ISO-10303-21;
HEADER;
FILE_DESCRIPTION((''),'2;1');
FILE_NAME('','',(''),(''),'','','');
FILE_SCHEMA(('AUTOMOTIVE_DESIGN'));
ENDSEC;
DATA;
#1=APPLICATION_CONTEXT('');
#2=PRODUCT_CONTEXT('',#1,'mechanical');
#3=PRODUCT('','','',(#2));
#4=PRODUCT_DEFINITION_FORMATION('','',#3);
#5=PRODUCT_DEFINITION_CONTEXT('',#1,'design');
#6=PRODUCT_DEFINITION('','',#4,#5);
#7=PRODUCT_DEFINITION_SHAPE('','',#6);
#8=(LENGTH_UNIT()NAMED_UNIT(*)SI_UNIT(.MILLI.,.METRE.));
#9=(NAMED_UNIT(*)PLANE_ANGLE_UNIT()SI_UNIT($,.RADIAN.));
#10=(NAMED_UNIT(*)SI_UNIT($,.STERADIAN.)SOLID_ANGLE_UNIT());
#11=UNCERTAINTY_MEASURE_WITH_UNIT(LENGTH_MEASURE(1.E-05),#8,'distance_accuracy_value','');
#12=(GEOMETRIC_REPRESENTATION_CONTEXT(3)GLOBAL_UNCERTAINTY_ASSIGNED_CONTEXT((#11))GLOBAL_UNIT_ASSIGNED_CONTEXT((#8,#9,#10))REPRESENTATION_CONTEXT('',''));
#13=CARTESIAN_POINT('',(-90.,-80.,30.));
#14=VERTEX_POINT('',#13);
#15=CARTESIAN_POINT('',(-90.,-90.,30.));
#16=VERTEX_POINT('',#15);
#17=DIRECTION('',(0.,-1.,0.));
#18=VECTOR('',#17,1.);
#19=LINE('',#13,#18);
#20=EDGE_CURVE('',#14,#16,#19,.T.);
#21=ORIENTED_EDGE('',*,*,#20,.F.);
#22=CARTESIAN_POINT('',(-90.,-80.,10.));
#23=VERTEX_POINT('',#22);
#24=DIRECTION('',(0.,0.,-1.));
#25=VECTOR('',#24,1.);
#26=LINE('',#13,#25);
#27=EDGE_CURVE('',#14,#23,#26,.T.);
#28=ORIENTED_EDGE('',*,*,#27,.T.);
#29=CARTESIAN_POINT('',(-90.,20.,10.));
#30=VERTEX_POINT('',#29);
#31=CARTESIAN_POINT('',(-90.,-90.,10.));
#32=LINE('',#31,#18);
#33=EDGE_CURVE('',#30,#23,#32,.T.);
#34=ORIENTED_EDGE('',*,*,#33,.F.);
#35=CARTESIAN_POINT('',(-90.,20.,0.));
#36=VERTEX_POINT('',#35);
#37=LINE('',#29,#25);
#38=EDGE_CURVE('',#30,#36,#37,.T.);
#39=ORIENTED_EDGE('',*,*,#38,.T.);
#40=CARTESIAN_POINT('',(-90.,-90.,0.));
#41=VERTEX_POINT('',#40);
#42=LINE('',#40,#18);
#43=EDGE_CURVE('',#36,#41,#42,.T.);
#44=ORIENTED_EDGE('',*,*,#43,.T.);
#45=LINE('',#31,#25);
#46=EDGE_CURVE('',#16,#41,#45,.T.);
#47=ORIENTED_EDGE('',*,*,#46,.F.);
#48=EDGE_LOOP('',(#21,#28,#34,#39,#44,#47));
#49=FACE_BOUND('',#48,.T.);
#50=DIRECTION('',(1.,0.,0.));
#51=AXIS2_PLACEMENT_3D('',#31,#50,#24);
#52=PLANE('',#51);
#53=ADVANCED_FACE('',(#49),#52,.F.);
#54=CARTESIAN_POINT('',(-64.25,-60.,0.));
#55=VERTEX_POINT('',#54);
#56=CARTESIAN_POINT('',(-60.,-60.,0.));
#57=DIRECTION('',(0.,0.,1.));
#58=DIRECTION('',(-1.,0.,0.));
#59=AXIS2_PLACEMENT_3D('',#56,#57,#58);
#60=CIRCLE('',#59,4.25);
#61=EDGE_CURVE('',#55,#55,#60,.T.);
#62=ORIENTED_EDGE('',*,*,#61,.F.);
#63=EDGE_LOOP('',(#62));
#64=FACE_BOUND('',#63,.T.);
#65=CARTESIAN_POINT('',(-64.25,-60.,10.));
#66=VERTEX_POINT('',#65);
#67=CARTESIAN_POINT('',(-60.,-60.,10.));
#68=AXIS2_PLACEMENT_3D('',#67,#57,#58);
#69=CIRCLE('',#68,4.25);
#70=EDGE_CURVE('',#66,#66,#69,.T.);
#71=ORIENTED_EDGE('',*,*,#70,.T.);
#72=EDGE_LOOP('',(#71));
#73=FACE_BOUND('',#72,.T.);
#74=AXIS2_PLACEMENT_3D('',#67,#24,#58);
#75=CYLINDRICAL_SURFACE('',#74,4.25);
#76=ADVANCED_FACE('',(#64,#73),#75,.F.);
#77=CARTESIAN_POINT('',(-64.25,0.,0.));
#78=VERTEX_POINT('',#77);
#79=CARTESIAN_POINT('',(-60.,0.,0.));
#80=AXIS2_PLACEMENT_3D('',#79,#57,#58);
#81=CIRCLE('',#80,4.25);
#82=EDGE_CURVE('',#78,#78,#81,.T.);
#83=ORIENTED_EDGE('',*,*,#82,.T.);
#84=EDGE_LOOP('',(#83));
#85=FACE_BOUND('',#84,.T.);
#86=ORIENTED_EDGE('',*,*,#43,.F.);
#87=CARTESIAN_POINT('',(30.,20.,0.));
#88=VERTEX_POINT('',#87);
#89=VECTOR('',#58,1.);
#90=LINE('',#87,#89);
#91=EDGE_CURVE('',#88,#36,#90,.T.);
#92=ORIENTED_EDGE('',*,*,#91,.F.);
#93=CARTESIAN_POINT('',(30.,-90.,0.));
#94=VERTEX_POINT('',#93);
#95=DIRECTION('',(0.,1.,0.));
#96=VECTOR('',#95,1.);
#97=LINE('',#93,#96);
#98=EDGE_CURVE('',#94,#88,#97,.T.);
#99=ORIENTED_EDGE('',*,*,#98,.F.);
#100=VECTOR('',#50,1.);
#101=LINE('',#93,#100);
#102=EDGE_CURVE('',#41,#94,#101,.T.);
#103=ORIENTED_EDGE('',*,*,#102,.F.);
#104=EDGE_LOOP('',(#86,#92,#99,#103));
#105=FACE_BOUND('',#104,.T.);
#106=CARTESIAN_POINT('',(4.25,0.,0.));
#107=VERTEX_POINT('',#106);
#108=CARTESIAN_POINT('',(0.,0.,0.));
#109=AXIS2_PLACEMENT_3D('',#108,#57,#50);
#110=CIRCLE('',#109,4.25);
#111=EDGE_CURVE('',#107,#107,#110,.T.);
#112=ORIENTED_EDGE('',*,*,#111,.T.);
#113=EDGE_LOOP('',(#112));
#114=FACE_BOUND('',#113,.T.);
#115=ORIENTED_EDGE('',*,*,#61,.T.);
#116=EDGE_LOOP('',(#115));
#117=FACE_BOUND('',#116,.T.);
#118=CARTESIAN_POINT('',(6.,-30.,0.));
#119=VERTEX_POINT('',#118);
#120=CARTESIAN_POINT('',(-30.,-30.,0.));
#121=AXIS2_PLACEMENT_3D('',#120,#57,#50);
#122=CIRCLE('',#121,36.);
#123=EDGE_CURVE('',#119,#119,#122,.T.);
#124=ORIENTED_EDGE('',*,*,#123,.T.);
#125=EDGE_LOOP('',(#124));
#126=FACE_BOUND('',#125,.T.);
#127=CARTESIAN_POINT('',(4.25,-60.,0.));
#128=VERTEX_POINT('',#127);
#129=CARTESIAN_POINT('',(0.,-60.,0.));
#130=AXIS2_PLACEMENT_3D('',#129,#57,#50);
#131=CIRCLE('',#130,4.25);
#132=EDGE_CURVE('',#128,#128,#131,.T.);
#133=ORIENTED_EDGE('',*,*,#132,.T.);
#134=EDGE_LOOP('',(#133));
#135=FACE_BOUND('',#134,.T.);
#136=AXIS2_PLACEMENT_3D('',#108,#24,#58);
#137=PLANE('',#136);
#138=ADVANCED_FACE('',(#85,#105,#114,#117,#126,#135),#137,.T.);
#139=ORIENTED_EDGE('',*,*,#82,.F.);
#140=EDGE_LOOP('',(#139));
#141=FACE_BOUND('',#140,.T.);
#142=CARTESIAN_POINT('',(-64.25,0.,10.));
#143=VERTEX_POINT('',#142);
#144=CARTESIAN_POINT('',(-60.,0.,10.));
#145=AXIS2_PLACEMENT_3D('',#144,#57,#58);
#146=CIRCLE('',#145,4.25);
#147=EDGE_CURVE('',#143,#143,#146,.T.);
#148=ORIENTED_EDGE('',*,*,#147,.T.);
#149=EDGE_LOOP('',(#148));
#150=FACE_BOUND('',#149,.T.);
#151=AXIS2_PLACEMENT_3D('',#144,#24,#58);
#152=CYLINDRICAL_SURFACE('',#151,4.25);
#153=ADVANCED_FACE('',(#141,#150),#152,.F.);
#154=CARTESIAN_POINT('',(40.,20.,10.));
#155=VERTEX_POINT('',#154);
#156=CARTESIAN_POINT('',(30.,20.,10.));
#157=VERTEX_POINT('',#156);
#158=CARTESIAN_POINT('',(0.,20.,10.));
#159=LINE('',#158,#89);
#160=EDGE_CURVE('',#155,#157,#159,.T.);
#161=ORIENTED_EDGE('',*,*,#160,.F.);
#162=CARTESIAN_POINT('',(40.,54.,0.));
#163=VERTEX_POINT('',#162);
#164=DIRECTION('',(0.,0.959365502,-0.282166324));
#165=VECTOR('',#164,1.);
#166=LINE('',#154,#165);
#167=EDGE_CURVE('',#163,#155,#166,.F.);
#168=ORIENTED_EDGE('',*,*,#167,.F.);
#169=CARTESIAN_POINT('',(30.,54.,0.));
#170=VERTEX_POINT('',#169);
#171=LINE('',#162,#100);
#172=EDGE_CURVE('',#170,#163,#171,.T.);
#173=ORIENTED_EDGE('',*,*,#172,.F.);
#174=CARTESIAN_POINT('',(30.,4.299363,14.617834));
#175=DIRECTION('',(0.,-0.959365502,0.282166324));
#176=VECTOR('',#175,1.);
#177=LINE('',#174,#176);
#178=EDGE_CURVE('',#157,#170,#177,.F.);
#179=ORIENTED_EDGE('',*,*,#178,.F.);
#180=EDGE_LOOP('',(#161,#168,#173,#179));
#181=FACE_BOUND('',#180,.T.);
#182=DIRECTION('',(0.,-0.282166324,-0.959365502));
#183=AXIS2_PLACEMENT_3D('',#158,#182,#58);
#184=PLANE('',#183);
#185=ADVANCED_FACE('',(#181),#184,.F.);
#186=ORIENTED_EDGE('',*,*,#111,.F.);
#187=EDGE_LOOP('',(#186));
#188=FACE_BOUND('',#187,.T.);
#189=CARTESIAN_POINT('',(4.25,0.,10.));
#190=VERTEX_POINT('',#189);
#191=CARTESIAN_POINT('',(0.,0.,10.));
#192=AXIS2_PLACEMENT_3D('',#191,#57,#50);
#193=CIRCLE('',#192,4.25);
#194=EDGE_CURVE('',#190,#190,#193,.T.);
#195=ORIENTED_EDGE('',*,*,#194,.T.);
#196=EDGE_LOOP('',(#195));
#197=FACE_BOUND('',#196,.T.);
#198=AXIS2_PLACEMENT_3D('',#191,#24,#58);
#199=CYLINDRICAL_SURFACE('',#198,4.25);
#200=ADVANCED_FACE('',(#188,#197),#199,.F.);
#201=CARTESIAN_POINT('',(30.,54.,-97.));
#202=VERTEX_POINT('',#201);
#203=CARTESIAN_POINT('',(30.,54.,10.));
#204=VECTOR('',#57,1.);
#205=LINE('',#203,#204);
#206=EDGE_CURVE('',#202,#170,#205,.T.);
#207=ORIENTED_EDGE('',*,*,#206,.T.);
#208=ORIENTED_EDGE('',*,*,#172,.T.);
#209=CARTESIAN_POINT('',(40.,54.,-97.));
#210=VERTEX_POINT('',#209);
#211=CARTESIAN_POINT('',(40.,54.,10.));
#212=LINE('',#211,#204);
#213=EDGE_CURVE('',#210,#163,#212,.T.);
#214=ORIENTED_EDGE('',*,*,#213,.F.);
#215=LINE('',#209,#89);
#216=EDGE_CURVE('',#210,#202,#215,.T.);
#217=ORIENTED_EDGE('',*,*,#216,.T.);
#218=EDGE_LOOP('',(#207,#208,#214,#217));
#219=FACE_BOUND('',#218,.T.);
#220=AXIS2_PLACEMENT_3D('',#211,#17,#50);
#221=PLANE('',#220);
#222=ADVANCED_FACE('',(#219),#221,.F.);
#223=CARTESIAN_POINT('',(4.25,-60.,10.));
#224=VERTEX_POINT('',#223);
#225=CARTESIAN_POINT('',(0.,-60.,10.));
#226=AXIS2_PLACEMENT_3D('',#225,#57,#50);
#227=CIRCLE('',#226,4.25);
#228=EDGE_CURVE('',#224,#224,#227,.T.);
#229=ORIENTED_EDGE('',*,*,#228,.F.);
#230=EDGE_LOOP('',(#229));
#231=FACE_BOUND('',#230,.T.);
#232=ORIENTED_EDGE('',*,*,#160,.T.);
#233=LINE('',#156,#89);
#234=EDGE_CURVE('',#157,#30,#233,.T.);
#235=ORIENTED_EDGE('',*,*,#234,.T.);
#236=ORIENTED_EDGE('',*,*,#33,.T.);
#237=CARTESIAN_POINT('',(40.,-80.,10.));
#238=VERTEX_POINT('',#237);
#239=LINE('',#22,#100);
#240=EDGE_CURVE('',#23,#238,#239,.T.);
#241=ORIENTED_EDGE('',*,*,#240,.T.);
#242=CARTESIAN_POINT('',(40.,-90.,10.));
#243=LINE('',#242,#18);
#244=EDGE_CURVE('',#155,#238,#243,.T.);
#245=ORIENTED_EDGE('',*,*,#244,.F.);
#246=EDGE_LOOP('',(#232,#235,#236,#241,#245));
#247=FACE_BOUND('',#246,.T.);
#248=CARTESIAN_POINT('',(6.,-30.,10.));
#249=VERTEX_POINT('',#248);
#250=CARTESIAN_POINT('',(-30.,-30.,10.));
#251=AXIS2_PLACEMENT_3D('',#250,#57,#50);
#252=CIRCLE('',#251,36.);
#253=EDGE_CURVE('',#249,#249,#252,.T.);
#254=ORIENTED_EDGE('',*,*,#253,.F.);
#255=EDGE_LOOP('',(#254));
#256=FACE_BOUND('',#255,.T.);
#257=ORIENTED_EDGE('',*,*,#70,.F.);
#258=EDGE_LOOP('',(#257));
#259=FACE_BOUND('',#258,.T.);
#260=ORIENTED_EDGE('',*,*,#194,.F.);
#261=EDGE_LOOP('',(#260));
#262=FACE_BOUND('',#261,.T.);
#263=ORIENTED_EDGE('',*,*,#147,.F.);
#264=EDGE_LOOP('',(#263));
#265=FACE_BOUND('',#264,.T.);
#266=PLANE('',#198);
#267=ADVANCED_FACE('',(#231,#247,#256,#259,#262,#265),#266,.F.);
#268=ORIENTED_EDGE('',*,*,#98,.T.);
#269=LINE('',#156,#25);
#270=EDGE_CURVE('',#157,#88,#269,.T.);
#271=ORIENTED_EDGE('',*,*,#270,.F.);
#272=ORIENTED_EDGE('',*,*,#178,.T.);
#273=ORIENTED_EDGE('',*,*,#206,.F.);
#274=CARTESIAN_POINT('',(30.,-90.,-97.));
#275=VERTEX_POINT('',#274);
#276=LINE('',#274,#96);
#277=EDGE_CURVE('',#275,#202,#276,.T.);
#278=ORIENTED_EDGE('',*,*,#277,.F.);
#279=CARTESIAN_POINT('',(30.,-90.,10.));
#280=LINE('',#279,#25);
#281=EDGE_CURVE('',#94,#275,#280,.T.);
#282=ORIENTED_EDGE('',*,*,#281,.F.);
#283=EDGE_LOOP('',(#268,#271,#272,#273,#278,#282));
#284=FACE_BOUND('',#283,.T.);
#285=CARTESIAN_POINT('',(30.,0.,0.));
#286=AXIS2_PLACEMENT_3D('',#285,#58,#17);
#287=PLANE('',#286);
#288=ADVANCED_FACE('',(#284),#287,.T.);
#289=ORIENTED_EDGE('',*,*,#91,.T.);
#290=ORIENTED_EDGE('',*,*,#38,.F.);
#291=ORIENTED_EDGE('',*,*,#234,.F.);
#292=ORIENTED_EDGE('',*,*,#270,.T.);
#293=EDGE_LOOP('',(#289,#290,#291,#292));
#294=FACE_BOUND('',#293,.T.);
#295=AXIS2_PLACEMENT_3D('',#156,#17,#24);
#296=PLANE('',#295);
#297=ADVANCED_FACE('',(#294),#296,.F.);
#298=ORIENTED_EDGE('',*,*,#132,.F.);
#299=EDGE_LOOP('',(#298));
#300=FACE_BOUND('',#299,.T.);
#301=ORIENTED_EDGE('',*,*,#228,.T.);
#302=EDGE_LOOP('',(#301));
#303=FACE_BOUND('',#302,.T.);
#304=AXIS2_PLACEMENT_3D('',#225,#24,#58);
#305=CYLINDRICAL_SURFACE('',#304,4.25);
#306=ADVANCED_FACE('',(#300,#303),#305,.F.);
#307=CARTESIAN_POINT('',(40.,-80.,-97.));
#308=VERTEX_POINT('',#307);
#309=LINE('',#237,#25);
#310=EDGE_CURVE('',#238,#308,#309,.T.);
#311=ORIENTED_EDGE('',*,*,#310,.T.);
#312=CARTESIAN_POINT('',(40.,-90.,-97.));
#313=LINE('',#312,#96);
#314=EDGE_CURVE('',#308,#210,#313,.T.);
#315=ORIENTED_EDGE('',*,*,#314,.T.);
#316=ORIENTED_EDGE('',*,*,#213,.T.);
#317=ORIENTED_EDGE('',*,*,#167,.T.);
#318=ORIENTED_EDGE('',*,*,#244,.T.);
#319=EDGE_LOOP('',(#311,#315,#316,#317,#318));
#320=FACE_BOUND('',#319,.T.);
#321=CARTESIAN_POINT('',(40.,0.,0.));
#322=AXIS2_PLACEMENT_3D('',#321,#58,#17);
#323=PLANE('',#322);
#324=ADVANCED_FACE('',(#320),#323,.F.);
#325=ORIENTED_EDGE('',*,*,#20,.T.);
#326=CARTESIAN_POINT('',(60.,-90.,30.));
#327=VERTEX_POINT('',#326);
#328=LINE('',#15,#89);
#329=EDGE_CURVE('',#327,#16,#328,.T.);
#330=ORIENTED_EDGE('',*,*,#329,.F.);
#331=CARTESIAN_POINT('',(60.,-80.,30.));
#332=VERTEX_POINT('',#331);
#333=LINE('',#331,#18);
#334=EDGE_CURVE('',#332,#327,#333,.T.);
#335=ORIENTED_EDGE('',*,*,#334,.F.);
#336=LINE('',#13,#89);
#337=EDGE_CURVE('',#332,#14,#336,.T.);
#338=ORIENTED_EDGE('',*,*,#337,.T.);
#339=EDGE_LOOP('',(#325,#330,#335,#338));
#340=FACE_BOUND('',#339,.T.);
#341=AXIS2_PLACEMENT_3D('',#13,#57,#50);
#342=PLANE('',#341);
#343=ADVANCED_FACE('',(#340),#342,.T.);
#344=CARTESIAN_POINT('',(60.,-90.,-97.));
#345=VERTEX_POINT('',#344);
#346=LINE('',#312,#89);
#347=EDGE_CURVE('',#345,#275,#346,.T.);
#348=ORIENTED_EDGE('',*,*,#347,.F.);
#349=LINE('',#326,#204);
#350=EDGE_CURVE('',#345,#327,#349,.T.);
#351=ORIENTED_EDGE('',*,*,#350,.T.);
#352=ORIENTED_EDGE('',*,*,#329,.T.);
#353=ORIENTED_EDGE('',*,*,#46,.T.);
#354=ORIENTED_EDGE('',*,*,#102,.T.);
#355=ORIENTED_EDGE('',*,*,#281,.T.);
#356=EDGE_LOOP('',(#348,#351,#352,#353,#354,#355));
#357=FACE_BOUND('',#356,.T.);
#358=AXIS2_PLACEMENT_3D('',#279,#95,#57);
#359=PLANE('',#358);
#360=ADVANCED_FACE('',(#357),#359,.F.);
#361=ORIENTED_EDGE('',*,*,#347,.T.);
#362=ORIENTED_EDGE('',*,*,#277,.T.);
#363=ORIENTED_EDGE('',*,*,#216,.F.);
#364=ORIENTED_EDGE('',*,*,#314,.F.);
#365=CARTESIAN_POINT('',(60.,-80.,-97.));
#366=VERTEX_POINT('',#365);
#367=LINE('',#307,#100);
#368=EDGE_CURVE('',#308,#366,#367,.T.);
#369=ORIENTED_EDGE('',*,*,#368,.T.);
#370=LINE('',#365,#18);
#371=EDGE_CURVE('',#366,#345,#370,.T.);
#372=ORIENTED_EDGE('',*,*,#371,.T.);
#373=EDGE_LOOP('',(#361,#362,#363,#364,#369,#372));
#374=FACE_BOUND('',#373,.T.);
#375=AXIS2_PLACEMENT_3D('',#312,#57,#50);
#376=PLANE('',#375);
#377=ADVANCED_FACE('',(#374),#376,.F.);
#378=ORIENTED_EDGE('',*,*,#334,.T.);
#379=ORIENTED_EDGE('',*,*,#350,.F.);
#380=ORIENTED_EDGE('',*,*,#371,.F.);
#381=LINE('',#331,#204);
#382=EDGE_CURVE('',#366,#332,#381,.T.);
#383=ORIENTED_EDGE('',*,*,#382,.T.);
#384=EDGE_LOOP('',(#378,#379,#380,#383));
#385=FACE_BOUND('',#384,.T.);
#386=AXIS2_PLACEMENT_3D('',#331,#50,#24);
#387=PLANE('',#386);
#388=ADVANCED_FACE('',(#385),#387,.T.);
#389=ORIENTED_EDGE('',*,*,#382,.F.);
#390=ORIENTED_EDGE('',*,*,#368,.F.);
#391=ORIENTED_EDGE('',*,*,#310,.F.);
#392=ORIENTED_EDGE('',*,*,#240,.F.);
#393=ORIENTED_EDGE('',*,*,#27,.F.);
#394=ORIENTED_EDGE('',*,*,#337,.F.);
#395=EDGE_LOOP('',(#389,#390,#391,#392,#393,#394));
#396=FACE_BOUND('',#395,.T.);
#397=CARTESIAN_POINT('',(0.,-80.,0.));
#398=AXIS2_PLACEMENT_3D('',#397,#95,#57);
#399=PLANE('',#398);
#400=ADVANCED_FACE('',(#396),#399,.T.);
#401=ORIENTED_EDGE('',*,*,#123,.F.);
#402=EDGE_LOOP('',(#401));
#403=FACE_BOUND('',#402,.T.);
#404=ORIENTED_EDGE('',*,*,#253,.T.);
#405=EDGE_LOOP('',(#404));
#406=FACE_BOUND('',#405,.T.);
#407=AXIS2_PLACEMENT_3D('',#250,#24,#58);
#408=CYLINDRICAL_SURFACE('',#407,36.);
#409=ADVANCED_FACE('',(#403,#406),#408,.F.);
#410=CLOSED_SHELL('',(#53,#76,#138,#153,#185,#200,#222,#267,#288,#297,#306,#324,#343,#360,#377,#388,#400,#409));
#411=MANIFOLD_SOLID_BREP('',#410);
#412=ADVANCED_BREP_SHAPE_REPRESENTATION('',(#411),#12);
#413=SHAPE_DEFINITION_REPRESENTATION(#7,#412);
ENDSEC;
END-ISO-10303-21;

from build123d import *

# Parameters (mm, degrees)
SKETCH1_W           = 120
SKETCH1_H           = 110
SKETCH1_R           = 4.25
SKETCH1_R_2         = 36
BOSS_EXTRUDE1_DEPTH = 10
SKETCH2_W           = 107
SKETCH2_H           = 144
BOSS_EXTRUDE2_DEPTH = 10
CHAMFER1_SIZE       = 10
CHAMFER1_SIZE2      = 34
BOSS_EXTRUDE4_DEPTH = 10


with BuildPart() as part:
    # Sketch1 → Boss-Extrude1 (new body)
    with BuildSketch(Plane.XY):
        with Locations((-30, -35)):
            Rectangle(SKETCH1_W, SKETCH1_H)
        Circle(SKETCH1_R, mode=Mode.SUBTRACT)
        with Locations((0, -60)):
            Circle(SKETCH1_R, mode=Mode.SUBTRACT)
        with Locations((-30, -30)):
            Circle(SKETCH1_R_2, mode=Mode.SUBTRACT)
        with Locations(Location((-60, 0, 0), (0, 0, 180))):
            Circle(SKETCH1_R, mode=Mode.SUBTRACT)
        with Locations(Location((-60, -60, 0), (0, 0, 180))):
            Circle(SKETCH1_R, mode=Mode.SUBTRACT)
    extrude(amount=BOSS_EXTRUDE1_DEPTH)

    # Sketch2 → Boss-Extrude2 (add)
    with BuildSketch(Plane(origin=(30, 0, 0), x_dir=(0, 0, -1), z_dir=(1, 0, 0))):
        with Locations((43.5, -18)):
            Rectangle(SKETCH2_W, SKETCH2_H)
    extrude(amount=BOSS_EXTRUDE2_DEPTH)

    # Chamfer1
    chamfer1_edges = [part.edges().sort_by_distance(p)[0] for p in [
        (35, 54, 10),
    ]]
    chamfer1_side = [part.faces().sort_by_distance(p)[0] for p in [
        (35, 54, -43.5),
    ]]
    chamfer(chamfer1_edges, length=CHAMFER1_SIZE, length2=CHAMFER1_SIZE2, reference=chamfer1_side[0])

    # Sketch6 → Boss-Extrude4 (add)
    with BuildSketch(Plane.XZ.offset(90)):
        Polygon((-90, 30), (-90, 10), (40, 10), (40, -97), (60, -97), (60, 30), align=None)
    extrude(amount=-BOSS_EXTRUDE4_DEPTH)


solid = part.part
